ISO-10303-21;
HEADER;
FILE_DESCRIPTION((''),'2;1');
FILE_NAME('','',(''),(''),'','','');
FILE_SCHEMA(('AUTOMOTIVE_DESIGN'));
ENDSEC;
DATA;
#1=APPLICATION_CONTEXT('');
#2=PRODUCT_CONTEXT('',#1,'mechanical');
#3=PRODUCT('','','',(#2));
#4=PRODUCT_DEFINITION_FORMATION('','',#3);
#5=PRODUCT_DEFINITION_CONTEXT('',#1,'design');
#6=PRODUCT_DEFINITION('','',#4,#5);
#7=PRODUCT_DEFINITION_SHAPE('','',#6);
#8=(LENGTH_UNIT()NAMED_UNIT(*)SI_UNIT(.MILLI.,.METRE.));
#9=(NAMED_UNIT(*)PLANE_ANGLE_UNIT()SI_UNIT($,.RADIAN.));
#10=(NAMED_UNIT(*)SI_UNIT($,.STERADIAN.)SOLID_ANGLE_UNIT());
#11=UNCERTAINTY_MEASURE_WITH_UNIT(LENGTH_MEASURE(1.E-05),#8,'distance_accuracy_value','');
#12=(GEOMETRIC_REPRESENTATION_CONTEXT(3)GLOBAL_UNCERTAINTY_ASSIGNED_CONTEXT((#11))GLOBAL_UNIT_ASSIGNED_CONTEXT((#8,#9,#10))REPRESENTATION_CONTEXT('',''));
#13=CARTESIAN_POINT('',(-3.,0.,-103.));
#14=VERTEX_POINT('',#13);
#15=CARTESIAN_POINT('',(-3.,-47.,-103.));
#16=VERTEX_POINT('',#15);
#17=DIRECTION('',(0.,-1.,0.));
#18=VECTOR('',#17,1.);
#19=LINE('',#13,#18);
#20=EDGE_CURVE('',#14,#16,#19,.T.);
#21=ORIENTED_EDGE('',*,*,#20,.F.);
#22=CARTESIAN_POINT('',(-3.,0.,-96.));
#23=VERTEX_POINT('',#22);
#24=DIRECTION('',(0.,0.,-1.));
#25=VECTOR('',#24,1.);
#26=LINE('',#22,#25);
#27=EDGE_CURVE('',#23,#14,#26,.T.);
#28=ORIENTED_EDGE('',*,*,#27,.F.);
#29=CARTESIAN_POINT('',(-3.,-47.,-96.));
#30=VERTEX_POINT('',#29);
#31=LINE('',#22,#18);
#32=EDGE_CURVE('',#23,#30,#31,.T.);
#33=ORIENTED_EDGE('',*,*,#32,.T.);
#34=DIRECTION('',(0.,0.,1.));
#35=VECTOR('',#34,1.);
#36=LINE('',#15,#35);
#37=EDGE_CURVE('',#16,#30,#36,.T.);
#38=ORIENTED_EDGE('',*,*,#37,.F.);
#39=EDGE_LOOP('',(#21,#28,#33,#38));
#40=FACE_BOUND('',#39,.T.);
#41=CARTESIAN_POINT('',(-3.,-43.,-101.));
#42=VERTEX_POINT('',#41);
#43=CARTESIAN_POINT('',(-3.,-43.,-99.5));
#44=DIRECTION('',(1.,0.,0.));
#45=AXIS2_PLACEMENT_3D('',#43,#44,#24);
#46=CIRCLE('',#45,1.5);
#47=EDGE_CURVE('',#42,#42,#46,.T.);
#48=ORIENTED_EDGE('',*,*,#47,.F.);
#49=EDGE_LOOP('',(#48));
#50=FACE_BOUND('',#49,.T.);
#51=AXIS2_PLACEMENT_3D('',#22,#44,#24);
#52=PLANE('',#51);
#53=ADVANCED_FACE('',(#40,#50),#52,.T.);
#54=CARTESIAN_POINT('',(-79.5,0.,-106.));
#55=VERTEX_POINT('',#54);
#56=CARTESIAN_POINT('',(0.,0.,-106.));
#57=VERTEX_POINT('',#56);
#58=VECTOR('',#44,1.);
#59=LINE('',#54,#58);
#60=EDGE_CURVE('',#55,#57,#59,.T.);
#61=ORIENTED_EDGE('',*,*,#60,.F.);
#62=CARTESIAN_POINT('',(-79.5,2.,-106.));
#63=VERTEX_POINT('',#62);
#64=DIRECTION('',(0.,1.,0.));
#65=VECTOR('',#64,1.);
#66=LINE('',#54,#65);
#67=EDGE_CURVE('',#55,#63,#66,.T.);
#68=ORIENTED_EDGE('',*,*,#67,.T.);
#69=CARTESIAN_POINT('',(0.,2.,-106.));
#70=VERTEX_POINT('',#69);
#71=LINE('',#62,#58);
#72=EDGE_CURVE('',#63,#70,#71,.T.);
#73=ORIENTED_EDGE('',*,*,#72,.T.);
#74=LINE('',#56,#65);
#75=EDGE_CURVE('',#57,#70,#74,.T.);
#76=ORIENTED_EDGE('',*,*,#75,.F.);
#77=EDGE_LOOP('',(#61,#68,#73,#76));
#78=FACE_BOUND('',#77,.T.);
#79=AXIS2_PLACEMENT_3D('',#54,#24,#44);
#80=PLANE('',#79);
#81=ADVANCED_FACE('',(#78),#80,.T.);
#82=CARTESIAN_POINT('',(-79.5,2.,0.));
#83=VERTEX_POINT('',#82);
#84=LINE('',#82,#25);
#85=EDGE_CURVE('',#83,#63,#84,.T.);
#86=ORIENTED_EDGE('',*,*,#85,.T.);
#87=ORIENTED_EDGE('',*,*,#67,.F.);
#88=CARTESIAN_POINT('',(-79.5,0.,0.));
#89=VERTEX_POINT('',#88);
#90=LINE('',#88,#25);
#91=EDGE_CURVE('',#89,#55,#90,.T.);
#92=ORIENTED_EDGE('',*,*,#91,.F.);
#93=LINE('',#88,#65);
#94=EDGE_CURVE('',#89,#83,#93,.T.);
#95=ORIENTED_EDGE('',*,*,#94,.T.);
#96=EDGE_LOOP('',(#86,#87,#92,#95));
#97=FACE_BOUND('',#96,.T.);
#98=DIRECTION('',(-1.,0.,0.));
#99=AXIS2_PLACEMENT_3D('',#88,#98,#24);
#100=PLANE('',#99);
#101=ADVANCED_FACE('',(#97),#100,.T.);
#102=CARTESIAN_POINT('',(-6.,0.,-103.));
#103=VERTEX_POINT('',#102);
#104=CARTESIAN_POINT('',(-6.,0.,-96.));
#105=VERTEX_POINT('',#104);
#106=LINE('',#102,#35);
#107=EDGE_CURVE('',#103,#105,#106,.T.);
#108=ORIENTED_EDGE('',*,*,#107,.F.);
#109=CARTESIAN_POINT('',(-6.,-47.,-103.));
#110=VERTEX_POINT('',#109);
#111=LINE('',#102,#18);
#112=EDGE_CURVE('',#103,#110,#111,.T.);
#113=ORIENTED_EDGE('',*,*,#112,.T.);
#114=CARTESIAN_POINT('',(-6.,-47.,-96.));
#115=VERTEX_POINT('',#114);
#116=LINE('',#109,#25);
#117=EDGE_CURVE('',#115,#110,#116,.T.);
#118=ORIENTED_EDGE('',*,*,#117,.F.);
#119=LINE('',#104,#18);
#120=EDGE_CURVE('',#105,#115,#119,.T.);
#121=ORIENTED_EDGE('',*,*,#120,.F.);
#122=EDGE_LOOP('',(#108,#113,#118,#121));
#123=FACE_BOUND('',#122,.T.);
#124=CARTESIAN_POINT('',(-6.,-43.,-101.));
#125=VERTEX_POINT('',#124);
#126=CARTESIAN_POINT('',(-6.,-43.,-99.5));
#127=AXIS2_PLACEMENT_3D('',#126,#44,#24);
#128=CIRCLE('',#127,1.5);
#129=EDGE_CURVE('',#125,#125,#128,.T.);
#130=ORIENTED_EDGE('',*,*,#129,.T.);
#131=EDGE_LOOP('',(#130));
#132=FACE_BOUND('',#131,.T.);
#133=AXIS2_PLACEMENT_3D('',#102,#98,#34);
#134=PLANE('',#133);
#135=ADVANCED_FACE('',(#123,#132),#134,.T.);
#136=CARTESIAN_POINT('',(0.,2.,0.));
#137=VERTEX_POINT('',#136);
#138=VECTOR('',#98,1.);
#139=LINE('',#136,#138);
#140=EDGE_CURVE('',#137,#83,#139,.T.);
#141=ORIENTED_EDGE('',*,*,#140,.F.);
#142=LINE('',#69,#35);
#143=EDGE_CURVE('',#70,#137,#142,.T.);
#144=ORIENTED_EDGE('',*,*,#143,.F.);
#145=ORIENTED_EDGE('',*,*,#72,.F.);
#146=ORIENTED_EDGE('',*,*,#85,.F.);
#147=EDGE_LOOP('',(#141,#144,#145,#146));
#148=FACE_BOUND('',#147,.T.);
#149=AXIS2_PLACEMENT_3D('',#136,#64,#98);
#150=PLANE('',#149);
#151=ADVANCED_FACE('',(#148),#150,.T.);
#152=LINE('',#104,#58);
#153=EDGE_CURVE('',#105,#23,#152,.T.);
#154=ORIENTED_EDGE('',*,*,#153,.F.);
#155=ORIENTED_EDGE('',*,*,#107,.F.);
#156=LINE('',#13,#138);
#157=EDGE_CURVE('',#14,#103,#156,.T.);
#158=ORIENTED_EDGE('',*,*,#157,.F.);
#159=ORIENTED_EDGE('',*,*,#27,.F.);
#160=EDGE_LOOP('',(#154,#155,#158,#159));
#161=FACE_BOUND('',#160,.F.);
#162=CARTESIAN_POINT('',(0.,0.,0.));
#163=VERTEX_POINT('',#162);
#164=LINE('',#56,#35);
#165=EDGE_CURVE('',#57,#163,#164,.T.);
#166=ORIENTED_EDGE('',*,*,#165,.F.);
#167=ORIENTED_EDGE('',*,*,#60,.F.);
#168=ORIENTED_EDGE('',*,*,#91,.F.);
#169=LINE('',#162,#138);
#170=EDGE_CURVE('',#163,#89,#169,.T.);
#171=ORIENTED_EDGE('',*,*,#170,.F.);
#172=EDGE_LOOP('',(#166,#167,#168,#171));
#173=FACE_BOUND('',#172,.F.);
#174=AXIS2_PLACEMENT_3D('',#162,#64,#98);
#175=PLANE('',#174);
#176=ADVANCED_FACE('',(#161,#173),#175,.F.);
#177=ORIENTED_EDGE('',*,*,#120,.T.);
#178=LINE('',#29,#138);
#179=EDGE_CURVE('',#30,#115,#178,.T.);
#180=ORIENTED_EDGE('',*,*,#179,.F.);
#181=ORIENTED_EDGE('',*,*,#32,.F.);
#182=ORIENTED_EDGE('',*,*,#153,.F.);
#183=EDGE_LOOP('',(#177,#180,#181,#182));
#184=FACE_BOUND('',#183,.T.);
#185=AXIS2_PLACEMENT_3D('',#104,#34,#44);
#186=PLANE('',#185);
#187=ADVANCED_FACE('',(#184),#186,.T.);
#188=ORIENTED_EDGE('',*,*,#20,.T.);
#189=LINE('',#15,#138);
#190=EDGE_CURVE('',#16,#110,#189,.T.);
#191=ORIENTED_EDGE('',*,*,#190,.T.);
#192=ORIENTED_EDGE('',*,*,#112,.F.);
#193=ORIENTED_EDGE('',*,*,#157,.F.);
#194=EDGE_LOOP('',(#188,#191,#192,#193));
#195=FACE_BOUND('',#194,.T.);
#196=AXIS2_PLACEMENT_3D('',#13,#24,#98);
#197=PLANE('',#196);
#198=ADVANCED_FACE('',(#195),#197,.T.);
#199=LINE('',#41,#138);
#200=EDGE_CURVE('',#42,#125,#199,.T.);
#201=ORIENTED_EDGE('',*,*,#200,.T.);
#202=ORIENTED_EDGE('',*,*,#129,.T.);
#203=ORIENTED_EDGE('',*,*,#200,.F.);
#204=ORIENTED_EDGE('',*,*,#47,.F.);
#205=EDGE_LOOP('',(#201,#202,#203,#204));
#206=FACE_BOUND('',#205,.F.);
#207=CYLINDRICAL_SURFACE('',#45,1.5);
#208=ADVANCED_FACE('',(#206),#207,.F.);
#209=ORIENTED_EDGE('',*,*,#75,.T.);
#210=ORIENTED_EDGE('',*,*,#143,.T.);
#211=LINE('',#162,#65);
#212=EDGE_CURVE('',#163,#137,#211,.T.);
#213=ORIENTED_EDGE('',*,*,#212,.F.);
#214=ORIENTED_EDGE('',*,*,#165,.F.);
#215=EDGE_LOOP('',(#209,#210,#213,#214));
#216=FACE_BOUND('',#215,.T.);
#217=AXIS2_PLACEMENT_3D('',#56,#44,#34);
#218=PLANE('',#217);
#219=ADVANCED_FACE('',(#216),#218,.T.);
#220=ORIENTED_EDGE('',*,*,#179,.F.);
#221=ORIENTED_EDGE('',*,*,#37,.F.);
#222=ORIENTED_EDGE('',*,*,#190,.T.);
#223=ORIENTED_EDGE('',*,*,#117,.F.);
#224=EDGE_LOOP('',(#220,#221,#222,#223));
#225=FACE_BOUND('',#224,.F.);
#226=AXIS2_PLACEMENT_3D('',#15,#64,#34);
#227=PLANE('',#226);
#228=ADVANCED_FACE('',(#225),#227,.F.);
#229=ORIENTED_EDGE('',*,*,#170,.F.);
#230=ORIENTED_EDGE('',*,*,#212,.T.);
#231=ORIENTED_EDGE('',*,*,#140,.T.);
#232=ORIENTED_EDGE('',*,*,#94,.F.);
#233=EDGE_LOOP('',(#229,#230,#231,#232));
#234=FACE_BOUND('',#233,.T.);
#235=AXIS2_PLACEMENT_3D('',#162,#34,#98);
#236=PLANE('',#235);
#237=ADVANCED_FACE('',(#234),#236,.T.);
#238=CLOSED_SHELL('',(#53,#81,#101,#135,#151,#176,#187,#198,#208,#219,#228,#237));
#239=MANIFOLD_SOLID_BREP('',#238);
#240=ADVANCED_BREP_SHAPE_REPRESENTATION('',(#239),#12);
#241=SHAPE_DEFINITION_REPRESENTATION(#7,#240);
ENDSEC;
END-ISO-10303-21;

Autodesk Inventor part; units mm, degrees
ref_plane "YZ Plane" through (0, 0, 0) normal (1, 0, 0) x (0, 1, 0)
ref_plane "XZ Plane" through (0, 0, 0) normal (0, 1, 0) x (-1, 0, 0)
ref_plane "XY Plane" through (0, 0, 0) normal (0, 0, 1) x (1, 0, 0)
sketch "Sketch1" plane through (0, 0, 0) normal (0, 1, 0) x (-1, 0, 0)
  line L0 (0, 0) -> (79.5, 0)
  line L1 (79.5, 0) -> (79.5, -106)
  line L2 (79.5, -106) -> (0, -106)
  line L3 (0, -106) -> (0, 0)
  dimension "d6" = 106
  dimension "d7" = 79.5
extrude "Extrusion1" add sketch "Sketch1" along normal blind 2
sketch "Sketch2" plane through (0, 0, 0) normal (0, -1, 0) x (1, 0, 0)
  line L0 (0, -106) -> (-79.5, -106) projected
  line L1 (0, 0) -> (0, -106) projected
  line L2 (-79.5, 0) -> (0, 0) projected
  line L3 (-79.5, -106) -> (-79.5, 0) projected
  line L4 (-3, -103) -> (-6, -103)
  line L5 (-6, -103) -> (-6, -96)
  line L6 (-6, -96) -> (-3, -96)
  line L7 (-3, -96) -> (-3, -103)
  dimension "d10" = 7
  dimension "d11" = 3
  dimension "d12" = 3
  dimension "d13" = 3
extrude "Extrusion2" add sketch "Sketch2" along normal blind 48 contours L4 L5 L6 L7
sketch "Sketch3" plane through (-3, 0, -96) normal (1, 0, 0) x (0, 0, -1)
  circle A0 centre (3.5, -43) radius 1.5
  line L0 (7, -48) -> (0, -48) projected
  line L1 (7, 0) -> (7, -48) projected
  point P0 (-96, 0)
  dimension "d14" = 5
  dimension "d16" = 3
  dimension "d22" = 3.5
extrude "Extrusion3" cut sketch "Sketch3" against normal blind 33
sketch "Sketch4" plane through (-3, 0, -96) normal (1, 0, 0) x (0, 0, -1)
  circle A0 centre (3.5, -43) radius 1.5 projected
  line L0 (0, 0) -> (7, 0) projected
  line L1 (0, 0) -> (0, -48) projected
  line L2 (7, -48) -> (0, -48) projected
  line L3 (7, 0) -> (7, -48) projected
  line L4 (0, -48) -> (7, -48)
  line L5 (7, -48) -> (7, -47)
  line L6 (7, -47) -> (0, -47)
  line L7 (0, -47) -> (0, -48)
  point P0 (-96, 0)
  point P1 (0, -47)
  dimension "d19" = 1
extrude "Extrusion4" cut sketch "Sketch4" against normal blind 33 contours L6 L3 L2 L1
properties part number "Enclosure Lid"
